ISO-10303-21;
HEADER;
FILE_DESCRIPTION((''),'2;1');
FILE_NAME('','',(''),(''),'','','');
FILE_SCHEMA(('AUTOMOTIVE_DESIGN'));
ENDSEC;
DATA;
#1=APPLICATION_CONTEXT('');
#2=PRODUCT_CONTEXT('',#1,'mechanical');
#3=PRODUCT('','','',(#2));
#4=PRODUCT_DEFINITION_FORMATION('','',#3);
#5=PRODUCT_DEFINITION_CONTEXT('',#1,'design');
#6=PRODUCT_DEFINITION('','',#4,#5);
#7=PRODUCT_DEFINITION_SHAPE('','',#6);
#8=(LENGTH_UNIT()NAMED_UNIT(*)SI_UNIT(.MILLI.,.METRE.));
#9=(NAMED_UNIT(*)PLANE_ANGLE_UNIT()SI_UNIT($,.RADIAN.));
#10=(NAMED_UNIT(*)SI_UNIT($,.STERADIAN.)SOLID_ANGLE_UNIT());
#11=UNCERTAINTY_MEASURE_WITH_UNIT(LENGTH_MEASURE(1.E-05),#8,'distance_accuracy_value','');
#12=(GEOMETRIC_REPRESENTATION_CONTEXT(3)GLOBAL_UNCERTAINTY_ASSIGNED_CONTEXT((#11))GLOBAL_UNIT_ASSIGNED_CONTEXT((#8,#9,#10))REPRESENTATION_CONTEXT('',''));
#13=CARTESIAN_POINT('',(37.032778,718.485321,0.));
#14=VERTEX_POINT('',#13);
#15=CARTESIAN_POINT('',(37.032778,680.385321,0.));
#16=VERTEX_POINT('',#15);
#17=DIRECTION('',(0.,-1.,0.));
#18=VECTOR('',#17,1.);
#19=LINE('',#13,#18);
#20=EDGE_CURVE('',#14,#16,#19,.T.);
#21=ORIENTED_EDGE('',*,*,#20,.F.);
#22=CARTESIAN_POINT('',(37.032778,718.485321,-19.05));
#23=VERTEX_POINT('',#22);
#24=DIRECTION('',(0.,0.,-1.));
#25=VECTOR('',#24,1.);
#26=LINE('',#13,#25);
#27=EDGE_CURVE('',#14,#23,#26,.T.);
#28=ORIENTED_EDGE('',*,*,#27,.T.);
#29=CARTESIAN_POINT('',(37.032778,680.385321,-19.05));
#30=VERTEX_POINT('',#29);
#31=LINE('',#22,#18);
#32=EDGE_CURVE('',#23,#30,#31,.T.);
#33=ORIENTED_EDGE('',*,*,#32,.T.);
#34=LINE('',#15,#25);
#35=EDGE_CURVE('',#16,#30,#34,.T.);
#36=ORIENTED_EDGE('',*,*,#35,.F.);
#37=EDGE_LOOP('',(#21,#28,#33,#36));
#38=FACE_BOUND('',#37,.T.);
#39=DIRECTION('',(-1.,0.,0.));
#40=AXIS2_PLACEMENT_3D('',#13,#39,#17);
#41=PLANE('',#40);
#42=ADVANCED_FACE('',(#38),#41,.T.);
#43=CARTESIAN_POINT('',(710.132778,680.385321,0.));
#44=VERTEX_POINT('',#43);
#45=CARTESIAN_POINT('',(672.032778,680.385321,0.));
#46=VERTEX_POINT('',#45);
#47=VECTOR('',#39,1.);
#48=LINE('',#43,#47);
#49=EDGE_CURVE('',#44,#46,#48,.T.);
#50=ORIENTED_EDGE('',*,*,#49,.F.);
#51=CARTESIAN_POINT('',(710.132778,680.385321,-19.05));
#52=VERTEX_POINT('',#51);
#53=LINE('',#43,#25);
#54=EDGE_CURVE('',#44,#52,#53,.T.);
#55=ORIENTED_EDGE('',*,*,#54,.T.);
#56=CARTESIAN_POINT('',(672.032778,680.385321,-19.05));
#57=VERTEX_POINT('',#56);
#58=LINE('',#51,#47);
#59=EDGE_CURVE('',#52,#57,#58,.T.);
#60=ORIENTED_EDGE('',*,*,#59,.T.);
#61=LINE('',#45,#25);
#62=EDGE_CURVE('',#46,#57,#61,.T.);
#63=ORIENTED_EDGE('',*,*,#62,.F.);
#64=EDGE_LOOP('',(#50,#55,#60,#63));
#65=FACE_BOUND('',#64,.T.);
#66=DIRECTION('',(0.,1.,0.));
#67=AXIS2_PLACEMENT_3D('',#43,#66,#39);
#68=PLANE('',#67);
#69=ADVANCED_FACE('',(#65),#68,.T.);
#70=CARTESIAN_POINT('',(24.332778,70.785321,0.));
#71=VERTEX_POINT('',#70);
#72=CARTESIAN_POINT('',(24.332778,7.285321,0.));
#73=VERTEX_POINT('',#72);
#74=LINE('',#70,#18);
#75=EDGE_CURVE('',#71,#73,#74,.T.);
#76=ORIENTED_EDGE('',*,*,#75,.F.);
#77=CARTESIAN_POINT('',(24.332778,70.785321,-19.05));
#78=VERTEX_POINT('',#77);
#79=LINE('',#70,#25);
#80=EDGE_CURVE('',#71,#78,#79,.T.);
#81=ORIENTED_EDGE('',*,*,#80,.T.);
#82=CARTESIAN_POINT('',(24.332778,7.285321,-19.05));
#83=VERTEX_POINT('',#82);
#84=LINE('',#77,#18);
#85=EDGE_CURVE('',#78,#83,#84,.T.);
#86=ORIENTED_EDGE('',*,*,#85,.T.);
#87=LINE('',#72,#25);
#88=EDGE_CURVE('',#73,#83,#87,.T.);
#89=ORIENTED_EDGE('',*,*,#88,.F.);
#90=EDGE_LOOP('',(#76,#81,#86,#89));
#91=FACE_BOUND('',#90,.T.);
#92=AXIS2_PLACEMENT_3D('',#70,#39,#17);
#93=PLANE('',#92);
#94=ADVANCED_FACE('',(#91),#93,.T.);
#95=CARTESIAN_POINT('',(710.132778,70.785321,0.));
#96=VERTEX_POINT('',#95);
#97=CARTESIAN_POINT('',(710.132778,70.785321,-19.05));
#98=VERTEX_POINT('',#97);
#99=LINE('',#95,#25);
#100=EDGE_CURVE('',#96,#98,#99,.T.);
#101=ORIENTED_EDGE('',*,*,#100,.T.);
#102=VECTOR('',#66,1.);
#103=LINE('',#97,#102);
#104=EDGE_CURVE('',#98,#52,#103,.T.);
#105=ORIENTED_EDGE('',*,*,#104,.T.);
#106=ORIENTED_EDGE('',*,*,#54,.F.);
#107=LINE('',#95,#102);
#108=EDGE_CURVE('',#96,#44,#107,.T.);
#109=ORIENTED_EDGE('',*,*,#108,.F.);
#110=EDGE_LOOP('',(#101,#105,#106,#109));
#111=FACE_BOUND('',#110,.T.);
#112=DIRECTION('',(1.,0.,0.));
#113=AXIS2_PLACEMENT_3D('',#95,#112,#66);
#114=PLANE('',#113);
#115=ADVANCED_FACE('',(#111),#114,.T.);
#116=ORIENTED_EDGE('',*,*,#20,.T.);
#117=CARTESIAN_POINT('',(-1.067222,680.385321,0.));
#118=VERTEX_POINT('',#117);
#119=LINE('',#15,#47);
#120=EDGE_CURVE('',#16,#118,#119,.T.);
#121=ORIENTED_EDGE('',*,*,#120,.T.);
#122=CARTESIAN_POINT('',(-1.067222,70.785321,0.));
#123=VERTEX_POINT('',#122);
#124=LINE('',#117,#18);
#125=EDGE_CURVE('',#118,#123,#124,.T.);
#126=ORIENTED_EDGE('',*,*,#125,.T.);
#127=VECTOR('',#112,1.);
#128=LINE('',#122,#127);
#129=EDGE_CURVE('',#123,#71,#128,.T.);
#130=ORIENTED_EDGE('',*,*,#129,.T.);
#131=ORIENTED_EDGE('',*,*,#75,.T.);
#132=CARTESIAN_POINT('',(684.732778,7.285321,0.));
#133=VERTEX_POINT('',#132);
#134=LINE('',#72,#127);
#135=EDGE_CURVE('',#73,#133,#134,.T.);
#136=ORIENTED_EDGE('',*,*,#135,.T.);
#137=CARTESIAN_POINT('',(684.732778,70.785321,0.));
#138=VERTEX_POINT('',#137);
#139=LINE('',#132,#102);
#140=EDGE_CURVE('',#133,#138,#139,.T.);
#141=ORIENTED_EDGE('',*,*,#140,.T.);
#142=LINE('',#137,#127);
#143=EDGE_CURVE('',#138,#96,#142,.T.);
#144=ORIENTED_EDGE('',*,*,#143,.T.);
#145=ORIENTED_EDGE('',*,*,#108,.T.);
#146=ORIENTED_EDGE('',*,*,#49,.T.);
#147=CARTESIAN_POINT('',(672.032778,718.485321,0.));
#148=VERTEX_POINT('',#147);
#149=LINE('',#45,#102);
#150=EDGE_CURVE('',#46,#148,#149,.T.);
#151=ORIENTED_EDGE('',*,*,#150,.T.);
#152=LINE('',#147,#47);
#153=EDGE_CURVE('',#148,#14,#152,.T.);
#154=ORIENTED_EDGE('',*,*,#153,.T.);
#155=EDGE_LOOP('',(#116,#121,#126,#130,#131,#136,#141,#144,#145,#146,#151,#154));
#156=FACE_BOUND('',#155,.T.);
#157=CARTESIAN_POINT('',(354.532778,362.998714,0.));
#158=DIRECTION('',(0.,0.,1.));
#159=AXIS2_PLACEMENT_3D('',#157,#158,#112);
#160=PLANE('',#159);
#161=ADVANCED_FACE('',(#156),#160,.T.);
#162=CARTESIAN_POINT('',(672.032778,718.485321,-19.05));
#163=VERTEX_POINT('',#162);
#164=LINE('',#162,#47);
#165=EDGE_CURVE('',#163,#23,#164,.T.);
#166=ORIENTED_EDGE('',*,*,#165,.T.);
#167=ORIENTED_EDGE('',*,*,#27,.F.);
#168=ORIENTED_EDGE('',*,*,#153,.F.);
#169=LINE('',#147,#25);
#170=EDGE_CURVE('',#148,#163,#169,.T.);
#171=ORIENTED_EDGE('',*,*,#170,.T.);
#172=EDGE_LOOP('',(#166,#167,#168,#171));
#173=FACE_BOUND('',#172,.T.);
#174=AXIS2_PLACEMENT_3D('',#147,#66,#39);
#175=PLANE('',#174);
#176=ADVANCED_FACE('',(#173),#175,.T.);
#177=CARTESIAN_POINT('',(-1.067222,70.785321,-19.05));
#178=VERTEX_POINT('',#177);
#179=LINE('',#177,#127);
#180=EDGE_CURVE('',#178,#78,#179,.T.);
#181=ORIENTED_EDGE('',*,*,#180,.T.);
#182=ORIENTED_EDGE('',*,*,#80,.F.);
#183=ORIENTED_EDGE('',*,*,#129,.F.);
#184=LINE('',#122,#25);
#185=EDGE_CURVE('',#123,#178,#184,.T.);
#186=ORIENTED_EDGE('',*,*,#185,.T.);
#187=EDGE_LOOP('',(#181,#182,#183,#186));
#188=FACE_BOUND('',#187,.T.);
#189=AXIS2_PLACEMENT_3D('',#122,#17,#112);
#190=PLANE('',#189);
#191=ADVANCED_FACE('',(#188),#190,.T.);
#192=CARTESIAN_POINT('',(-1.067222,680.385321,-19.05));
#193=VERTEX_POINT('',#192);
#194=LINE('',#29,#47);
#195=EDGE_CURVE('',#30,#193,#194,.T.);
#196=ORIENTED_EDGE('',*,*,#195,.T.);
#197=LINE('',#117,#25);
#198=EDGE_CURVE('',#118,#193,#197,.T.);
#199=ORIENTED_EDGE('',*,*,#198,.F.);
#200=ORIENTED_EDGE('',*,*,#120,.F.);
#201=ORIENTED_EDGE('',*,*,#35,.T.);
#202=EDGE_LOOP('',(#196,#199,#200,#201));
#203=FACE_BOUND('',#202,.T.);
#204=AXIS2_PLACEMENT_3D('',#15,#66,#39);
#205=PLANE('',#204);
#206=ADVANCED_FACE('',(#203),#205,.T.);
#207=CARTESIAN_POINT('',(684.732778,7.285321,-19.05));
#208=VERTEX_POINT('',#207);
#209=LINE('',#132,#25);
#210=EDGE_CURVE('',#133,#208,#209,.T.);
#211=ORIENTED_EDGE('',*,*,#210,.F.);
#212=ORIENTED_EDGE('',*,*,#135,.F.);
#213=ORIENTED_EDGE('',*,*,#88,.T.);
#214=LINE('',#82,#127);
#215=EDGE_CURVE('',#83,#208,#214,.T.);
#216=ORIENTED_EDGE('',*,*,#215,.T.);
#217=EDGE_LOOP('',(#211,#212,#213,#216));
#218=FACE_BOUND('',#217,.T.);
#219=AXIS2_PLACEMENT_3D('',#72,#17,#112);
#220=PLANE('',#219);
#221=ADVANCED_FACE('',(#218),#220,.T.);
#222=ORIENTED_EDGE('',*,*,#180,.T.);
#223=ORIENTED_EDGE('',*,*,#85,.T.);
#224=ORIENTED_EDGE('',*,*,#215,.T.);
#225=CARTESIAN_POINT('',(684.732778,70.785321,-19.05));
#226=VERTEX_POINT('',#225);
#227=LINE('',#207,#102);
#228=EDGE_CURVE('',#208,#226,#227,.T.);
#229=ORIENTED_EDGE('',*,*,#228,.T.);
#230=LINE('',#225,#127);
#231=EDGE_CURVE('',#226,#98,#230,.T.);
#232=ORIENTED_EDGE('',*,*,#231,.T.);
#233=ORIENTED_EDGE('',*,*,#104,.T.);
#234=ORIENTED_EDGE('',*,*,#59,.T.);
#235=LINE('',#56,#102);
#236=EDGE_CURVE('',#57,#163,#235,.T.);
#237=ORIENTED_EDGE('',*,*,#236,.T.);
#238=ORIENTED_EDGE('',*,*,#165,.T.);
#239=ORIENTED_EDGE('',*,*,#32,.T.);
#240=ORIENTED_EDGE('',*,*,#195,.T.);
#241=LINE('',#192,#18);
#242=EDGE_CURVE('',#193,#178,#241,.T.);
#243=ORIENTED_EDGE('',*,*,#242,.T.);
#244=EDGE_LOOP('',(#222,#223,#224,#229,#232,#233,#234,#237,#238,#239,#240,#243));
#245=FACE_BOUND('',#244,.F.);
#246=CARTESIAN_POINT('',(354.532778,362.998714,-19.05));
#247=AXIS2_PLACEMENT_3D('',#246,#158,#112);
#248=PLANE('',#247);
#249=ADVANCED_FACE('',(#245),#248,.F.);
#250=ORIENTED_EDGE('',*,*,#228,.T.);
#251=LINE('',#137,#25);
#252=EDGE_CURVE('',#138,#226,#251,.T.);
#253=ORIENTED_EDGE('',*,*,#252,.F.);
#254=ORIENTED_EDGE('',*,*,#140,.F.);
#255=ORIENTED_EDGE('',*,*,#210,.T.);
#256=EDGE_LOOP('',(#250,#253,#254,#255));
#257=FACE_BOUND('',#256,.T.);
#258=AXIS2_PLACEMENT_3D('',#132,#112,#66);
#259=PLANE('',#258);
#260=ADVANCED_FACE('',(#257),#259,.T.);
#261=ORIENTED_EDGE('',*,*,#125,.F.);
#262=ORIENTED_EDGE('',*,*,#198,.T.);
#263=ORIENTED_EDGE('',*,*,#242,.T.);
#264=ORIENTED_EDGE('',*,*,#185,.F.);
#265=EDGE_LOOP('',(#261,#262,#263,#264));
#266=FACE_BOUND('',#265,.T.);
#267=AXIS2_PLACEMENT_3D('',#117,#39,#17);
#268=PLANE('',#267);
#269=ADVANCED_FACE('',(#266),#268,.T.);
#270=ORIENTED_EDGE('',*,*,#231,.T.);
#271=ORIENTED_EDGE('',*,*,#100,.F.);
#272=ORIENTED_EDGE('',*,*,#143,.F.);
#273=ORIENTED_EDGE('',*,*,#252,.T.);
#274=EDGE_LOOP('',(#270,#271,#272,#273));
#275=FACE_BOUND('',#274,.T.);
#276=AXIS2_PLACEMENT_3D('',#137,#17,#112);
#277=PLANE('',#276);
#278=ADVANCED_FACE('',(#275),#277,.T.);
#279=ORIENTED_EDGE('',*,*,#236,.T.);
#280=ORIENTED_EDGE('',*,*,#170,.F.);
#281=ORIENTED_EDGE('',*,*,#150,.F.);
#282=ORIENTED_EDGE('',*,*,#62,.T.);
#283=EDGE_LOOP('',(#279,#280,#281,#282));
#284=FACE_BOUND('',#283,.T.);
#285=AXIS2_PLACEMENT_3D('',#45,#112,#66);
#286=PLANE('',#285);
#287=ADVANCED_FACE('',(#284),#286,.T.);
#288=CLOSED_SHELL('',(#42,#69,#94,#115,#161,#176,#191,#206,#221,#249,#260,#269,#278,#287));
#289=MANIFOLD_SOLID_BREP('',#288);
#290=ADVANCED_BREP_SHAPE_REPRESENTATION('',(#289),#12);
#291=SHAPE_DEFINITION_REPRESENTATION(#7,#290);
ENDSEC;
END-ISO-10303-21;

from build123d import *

# Parameters (mm, degrees)
F1_DEPTH = 19.05


with BuildPart() as f1:
    # F0 (on Top) → F1 (new body)
    with BuildSketch(Plane.XY):
        Polygon((24.332778, 70.785321), (24.332778, 7.285321), (684.732778, 7.285321), (684.732778, 70.785321), (710.132778, 70.785321), (710.132778, 680.385321), (672.032778, 680.385321), (672.032778, 718.485321), (37.032778, 718.485321), (37.032778, 680.385321), (-1.067222, 680.385321), (-1.067222, 70.785321), align=None)
    extrude(amount=-F1_DEPTH)


solid = f1.part
